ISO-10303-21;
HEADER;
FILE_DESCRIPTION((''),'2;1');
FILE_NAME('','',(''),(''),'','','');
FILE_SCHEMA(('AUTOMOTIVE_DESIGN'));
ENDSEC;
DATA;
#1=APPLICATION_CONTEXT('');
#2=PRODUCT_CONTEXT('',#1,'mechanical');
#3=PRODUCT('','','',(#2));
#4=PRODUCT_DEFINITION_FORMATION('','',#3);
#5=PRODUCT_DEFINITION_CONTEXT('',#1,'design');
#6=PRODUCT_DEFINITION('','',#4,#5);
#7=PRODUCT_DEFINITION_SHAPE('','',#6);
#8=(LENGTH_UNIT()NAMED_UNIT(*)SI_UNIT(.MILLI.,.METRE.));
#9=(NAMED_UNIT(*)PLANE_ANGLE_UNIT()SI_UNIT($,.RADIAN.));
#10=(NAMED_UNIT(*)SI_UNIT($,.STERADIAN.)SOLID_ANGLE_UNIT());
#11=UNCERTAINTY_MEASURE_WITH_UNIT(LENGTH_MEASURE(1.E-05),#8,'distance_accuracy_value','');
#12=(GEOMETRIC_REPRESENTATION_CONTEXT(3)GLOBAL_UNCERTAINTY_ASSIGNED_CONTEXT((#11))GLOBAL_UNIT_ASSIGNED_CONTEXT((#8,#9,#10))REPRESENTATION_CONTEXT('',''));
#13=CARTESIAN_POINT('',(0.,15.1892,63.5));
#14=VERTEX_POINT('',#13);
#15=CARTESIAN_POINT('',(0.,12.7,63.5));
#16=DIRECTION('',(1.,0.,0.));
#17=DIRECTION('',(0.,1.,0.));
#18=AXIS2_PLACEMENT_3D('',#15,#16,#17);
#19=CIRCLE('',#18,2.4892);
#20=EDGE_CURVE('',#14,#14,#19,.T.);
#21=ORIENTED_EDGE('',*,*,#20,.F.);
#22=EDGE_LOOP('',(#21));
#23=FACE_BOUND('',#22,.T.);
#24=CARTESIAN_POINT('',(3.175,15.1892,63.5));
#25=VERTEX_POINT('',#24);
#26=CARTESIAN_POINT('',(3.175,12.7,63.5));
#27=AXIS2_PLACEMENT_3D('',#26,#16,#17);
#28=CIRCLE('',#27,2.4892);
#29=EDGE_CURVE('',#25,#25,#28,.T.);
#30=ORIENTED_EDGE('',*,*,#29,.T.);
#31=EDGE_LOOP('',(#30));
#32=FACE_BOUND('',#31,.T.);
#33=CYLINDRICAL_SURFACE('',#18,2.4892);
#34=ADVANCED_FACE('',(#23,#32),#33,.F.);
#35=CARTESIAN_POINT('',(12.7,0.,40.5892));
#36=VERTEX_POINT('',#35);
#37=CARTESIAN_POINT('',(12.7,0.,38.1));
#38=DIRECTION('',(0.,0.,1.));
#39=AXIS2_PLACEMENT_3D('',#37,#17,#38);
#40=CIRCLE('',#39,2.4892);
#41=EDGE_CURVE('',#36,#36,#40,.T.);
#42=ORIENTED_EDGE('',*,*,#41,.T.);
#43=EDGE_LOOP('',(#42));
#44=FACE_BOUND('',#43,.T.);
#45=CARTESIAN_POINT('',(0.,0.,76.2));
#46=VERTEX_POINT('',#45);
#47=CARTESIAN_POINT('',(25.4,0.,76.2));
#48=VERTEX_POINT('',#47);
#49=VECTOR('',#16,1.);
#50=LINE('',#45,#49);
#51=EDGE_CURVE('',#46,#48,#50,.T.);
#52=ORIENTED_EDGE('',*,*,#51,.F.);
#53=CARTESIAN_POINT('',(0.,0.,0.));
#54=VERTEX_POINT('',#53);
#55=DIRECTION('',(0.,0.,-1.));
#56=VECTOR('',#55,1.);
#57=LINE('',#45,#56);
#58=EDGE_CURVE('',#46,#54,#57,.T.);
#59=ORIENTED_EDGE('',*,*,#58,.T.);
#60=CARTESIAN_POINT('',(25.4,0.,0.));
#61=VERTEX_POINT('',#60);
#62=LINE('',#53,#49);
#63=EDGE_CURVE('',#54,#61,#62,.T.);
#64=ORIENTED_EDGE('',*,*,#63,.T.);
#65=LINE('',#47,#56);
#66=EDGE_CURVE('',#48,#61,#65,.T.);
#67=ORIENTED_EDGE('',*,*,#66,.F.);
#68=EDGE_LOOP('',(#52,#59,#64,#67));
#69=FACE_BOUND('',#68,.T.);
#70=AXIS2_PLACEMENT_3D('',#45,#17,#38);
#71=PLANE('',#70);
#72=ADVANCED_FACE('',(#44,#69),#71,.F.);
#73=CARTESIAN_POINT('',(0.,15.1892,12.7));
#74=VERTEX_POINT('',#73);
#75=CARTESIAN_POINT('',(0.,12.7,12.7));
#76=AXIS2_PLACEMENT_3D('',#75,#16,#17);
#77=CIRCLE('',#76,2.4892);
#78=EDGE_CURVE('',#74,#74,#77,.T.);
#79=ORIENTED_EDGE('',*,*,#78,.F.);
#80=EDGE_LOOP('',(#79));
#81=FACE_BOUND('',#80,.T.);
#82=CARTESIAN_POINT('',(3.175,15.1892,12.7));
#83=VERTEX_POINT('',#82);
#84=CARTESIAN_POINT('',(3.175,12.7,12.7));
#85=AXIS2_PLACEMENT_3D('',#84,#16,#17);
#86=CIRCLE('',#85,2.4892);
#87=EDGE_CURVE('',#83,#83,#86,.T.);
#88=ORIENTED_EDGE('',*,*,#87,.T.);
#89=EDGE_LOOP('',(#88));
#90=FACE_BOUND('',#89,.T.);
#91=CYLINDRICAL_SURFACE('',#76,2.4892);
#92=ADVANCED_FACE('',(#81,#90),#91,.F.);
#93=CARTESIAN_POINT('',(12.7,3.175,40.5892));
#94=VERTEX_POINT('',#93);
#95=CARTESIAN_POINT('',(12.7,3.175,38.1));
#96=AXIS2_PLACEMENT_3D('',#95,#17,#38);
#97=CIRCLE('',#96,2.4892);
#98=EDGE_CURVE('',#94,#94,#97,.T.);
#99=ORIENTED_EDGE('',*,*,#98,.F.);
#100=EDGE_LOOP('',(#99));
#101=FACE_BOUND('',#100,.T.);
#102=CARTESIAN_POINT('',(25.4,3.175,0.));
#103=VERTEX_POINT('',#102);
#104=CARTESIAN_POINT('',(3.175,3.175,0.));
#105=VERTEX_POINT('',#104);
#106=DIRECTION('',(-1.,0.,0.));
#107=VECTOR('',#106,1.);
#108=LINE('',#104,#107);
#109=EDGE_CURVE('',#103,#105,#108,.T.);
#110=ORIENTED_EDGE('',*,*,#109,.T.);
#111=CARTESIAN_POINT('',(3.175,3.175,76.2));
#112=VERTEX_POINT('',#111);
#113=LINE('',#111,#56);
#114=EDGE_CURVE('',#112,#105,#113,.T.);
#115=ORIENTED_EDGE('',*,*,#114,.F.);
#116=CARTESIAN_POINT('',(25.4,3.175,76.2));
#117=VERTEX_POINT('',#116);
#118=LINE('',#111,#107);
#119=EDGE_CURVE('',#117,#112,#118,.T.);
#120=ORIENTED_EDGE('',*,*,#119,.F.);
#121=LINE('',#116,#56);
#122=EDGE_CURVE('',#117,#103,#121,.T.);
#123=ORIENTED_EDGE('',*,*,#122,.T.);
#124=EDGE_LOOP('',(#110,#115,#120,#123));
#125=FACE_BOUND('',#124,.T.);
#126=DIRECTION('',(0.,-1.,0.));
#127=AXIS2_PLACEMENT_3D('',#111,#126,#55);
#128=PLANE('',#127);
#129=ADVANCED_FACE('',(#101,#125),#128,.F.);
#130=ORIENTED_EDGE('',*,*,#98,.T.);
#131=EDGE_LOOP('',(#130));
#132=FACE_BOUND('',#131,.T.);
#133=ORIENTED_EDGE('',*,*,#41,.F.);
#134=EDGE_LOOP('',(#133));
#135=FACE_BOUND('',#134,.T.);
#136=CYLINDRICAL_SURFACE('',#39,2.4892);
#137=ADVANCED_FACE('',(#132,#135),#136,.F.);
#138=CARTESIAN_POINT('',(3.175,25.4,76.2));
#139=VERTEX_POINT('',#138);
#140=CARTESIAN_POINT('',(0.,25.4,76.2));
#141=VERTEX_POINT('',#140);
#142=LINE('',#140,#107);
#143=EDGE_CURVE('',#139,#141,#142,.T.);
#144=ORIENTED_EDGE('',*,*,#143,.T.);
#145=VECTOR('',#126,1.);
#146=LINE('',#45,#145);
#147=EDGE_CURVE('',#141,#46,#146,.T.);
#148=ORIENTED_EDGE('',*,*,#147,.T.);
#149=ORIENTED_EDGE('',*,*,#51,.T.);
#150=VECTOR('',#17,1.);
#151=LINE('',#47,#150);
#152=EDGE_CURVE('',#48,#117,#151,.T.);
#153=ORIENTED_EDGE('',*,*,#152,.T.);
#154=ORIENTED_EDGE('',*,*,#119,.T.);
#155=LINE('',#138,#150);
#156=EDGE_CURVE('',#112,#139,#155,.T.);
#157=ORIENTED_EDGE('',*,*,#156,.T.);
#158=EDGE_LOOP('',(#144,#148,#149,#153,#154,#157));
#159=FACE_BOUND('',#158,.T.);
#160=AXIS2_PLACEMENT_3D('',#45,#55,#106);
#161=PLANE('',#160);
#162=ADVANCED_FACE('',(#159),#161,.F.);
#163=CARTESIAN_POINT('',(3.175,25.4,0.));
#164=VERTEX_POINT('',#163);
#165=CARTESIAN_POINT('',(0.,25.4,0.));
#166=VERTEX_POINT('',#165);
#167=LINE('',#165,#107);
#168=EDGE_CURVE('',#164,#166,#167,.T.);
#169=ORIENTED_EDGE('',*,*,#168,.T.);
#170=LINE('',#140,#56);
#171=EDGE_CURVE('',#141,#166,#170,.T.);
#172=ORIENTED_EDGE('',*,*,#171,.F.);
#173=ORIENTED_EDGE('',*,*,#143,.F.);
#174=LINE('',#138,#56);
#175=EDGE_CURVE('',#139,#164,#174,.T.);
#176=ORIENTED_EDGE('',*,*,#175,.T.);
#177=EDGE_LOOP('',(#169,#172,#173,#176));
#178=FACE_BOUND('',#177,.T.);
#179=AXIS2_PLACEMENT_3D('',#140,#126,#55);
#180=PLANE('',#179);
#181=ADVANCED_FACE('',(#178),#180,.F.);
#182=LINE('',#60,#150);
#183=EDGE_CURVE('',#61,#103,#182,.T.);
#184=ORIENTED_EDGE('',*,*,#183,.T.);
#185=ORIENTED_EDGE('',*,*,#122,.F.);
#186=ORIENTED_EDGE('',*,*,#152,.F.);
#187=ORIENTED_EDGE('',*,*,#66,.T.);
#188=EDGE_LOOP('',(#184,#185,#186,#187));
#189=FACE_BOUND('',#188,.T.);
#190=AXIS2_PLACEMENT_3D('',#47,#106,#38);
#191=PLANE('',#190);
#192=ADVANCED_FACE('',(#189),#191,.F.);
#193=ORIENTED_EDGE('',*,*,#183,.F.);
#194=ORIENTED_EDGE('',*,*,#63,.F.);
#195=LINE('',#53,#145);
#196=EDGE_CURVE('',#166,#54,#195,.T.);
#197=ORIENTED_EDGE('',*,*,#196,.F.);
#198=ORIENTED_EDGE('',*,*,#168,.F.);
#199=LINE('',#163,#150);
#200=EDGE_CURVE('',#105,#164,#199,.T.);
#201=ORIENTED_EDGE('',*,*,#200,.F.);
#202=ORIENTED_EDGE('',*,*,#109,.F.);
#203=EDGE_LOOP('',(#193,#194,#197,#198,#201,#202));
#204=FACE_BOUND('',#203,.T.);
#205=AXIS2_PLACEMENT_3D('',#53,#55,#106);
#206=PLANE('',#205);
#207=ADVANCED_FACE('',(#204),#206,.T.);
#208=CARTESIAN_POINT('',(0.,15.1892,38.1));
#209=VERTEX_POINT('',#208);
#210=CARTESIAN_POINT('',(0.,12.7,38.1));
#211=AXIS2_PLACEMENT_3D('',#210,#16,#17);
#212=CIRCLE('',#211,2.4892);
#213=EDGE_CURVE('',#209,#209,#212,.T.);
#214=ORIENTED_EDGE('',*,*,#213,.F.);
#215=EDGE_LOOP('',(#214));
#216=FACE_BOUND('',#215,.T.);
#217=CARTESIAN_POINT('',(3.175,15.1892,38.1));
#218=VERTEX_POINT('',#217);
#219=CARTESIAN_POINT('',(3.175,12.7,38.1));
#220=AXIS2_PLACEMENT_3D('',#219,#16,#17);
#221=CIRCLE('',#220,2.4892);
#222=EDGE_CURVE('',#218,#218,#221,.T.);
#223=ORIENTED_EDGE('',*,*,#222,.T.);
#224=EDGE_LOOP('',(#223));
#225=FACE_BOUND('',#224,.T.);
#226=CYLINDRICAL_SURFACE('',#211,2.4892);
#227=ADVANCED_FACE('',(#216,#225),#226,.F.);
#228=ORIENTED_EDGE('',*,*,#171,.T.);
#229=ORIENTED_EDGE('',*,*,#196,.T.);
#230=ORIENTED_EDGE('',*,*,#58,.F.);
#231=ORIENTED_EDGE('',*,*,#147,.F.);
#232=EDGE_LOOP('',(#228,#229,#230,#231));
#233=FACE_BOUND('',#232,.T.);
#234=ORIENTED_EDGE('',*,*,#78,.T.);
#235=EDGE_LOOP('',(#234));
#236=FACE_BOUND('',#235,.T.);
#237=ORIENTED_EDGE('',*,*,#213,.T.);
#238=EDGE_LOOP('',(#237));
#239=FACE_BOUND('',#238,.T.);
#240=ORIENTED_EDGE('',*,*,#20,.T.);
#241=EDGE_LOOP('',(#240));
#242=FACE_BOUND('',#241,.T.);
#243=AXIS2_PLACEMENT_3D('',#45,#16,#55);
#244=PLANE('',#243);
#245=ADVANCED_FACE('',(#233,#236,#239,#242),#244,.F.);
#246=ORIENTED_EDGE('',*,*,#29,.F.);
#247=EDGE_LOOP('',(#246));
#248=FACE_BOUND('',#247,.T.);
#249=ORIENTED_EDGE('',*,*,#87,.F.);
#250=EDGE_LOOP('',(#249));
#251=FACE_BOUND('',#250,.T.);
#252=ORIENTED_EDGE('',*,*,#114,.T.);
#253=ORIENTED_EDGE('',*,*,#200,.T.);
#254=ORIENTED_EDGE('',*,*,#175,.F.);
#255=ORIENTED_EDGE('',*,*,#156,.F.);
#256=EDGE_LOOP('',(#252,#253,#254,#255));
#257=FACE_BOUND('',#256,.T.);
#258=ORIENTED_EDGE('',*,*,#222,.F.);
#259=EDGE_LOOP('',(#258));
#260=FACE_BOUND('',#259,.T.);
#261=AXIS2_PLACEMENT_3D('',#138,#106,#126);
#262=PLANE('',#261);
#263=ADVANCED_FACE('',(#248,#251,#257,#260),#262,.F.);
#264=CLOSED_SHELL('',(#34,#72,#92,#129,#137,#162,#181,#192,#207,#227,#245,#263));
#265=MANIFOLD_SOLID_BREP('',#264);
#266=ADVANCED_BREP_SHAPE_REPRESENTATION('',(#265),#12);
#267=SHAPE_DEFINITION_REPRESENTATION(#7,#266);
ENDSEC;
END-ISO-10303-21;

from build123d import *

# Parameters (mm, degrees)
BOSS_EXTRUDE1_DEPTH = 76.2
SKETCH7_R           = 2.4892
CUT_EXTRUDE4_DEPTH  = 84.339970152
SKETCH8_R           = 2.4892
CUT_EXTRUDE5_DEPTH  = 84.339970152


with BuildPart() as part:
    # Sketch1 → Boss-Extrude1 (new body)
    with BuildSketch(Plane.XY):
        Polygon((3.175, 25.4), (3.175, 3.175), (25.4, 3.175), (25.4, 0), (0, 0), (0, 25.4), align=None)
    extrude(amount=BOSS_EXTRUDE1_DEPTH)

    # Sketch7 → Cut-Extrude4 (cut, through all)
    with BuildSketch(Plane(origin=(3.175, 0, 0), x_dir=(0, 0, -1), z_dir=(1, 0, 0))):
        with Locations(Location((-63.5, 12.7, 0), (0, 0, 90))):
            Circle(SKETCH7_R)
        with Locations(Location((-38.1, 12.7, 0), (0, 0, 90))):
            Circle(SKETCH7_R)
        with Locations(Location((-12.7, 12.7, 0), (0, 0, 90))):
            Circle(SKETCH7_R)
    extrude(amount=-CUT_EXTRUDE4_DEPTH, mode=Mode.SUBTRACT)

    # Sketch8 → Cut-Extrude5 (cut, through all)
    with BuildSketch(Plane(origin=(0, 3.175, 0), x_dir=(1, 0, 0), z_dir=(0, 1, 0))):
        with Locations(Location((12.7, -38.1, 0), (0, 0, 270))):
            Circle(SKETCH8_R)
    extrude(amount=-CUT_EXTRUDE5_DEPTH, mode=Mode.SUBTRACT)


solid = part.part
